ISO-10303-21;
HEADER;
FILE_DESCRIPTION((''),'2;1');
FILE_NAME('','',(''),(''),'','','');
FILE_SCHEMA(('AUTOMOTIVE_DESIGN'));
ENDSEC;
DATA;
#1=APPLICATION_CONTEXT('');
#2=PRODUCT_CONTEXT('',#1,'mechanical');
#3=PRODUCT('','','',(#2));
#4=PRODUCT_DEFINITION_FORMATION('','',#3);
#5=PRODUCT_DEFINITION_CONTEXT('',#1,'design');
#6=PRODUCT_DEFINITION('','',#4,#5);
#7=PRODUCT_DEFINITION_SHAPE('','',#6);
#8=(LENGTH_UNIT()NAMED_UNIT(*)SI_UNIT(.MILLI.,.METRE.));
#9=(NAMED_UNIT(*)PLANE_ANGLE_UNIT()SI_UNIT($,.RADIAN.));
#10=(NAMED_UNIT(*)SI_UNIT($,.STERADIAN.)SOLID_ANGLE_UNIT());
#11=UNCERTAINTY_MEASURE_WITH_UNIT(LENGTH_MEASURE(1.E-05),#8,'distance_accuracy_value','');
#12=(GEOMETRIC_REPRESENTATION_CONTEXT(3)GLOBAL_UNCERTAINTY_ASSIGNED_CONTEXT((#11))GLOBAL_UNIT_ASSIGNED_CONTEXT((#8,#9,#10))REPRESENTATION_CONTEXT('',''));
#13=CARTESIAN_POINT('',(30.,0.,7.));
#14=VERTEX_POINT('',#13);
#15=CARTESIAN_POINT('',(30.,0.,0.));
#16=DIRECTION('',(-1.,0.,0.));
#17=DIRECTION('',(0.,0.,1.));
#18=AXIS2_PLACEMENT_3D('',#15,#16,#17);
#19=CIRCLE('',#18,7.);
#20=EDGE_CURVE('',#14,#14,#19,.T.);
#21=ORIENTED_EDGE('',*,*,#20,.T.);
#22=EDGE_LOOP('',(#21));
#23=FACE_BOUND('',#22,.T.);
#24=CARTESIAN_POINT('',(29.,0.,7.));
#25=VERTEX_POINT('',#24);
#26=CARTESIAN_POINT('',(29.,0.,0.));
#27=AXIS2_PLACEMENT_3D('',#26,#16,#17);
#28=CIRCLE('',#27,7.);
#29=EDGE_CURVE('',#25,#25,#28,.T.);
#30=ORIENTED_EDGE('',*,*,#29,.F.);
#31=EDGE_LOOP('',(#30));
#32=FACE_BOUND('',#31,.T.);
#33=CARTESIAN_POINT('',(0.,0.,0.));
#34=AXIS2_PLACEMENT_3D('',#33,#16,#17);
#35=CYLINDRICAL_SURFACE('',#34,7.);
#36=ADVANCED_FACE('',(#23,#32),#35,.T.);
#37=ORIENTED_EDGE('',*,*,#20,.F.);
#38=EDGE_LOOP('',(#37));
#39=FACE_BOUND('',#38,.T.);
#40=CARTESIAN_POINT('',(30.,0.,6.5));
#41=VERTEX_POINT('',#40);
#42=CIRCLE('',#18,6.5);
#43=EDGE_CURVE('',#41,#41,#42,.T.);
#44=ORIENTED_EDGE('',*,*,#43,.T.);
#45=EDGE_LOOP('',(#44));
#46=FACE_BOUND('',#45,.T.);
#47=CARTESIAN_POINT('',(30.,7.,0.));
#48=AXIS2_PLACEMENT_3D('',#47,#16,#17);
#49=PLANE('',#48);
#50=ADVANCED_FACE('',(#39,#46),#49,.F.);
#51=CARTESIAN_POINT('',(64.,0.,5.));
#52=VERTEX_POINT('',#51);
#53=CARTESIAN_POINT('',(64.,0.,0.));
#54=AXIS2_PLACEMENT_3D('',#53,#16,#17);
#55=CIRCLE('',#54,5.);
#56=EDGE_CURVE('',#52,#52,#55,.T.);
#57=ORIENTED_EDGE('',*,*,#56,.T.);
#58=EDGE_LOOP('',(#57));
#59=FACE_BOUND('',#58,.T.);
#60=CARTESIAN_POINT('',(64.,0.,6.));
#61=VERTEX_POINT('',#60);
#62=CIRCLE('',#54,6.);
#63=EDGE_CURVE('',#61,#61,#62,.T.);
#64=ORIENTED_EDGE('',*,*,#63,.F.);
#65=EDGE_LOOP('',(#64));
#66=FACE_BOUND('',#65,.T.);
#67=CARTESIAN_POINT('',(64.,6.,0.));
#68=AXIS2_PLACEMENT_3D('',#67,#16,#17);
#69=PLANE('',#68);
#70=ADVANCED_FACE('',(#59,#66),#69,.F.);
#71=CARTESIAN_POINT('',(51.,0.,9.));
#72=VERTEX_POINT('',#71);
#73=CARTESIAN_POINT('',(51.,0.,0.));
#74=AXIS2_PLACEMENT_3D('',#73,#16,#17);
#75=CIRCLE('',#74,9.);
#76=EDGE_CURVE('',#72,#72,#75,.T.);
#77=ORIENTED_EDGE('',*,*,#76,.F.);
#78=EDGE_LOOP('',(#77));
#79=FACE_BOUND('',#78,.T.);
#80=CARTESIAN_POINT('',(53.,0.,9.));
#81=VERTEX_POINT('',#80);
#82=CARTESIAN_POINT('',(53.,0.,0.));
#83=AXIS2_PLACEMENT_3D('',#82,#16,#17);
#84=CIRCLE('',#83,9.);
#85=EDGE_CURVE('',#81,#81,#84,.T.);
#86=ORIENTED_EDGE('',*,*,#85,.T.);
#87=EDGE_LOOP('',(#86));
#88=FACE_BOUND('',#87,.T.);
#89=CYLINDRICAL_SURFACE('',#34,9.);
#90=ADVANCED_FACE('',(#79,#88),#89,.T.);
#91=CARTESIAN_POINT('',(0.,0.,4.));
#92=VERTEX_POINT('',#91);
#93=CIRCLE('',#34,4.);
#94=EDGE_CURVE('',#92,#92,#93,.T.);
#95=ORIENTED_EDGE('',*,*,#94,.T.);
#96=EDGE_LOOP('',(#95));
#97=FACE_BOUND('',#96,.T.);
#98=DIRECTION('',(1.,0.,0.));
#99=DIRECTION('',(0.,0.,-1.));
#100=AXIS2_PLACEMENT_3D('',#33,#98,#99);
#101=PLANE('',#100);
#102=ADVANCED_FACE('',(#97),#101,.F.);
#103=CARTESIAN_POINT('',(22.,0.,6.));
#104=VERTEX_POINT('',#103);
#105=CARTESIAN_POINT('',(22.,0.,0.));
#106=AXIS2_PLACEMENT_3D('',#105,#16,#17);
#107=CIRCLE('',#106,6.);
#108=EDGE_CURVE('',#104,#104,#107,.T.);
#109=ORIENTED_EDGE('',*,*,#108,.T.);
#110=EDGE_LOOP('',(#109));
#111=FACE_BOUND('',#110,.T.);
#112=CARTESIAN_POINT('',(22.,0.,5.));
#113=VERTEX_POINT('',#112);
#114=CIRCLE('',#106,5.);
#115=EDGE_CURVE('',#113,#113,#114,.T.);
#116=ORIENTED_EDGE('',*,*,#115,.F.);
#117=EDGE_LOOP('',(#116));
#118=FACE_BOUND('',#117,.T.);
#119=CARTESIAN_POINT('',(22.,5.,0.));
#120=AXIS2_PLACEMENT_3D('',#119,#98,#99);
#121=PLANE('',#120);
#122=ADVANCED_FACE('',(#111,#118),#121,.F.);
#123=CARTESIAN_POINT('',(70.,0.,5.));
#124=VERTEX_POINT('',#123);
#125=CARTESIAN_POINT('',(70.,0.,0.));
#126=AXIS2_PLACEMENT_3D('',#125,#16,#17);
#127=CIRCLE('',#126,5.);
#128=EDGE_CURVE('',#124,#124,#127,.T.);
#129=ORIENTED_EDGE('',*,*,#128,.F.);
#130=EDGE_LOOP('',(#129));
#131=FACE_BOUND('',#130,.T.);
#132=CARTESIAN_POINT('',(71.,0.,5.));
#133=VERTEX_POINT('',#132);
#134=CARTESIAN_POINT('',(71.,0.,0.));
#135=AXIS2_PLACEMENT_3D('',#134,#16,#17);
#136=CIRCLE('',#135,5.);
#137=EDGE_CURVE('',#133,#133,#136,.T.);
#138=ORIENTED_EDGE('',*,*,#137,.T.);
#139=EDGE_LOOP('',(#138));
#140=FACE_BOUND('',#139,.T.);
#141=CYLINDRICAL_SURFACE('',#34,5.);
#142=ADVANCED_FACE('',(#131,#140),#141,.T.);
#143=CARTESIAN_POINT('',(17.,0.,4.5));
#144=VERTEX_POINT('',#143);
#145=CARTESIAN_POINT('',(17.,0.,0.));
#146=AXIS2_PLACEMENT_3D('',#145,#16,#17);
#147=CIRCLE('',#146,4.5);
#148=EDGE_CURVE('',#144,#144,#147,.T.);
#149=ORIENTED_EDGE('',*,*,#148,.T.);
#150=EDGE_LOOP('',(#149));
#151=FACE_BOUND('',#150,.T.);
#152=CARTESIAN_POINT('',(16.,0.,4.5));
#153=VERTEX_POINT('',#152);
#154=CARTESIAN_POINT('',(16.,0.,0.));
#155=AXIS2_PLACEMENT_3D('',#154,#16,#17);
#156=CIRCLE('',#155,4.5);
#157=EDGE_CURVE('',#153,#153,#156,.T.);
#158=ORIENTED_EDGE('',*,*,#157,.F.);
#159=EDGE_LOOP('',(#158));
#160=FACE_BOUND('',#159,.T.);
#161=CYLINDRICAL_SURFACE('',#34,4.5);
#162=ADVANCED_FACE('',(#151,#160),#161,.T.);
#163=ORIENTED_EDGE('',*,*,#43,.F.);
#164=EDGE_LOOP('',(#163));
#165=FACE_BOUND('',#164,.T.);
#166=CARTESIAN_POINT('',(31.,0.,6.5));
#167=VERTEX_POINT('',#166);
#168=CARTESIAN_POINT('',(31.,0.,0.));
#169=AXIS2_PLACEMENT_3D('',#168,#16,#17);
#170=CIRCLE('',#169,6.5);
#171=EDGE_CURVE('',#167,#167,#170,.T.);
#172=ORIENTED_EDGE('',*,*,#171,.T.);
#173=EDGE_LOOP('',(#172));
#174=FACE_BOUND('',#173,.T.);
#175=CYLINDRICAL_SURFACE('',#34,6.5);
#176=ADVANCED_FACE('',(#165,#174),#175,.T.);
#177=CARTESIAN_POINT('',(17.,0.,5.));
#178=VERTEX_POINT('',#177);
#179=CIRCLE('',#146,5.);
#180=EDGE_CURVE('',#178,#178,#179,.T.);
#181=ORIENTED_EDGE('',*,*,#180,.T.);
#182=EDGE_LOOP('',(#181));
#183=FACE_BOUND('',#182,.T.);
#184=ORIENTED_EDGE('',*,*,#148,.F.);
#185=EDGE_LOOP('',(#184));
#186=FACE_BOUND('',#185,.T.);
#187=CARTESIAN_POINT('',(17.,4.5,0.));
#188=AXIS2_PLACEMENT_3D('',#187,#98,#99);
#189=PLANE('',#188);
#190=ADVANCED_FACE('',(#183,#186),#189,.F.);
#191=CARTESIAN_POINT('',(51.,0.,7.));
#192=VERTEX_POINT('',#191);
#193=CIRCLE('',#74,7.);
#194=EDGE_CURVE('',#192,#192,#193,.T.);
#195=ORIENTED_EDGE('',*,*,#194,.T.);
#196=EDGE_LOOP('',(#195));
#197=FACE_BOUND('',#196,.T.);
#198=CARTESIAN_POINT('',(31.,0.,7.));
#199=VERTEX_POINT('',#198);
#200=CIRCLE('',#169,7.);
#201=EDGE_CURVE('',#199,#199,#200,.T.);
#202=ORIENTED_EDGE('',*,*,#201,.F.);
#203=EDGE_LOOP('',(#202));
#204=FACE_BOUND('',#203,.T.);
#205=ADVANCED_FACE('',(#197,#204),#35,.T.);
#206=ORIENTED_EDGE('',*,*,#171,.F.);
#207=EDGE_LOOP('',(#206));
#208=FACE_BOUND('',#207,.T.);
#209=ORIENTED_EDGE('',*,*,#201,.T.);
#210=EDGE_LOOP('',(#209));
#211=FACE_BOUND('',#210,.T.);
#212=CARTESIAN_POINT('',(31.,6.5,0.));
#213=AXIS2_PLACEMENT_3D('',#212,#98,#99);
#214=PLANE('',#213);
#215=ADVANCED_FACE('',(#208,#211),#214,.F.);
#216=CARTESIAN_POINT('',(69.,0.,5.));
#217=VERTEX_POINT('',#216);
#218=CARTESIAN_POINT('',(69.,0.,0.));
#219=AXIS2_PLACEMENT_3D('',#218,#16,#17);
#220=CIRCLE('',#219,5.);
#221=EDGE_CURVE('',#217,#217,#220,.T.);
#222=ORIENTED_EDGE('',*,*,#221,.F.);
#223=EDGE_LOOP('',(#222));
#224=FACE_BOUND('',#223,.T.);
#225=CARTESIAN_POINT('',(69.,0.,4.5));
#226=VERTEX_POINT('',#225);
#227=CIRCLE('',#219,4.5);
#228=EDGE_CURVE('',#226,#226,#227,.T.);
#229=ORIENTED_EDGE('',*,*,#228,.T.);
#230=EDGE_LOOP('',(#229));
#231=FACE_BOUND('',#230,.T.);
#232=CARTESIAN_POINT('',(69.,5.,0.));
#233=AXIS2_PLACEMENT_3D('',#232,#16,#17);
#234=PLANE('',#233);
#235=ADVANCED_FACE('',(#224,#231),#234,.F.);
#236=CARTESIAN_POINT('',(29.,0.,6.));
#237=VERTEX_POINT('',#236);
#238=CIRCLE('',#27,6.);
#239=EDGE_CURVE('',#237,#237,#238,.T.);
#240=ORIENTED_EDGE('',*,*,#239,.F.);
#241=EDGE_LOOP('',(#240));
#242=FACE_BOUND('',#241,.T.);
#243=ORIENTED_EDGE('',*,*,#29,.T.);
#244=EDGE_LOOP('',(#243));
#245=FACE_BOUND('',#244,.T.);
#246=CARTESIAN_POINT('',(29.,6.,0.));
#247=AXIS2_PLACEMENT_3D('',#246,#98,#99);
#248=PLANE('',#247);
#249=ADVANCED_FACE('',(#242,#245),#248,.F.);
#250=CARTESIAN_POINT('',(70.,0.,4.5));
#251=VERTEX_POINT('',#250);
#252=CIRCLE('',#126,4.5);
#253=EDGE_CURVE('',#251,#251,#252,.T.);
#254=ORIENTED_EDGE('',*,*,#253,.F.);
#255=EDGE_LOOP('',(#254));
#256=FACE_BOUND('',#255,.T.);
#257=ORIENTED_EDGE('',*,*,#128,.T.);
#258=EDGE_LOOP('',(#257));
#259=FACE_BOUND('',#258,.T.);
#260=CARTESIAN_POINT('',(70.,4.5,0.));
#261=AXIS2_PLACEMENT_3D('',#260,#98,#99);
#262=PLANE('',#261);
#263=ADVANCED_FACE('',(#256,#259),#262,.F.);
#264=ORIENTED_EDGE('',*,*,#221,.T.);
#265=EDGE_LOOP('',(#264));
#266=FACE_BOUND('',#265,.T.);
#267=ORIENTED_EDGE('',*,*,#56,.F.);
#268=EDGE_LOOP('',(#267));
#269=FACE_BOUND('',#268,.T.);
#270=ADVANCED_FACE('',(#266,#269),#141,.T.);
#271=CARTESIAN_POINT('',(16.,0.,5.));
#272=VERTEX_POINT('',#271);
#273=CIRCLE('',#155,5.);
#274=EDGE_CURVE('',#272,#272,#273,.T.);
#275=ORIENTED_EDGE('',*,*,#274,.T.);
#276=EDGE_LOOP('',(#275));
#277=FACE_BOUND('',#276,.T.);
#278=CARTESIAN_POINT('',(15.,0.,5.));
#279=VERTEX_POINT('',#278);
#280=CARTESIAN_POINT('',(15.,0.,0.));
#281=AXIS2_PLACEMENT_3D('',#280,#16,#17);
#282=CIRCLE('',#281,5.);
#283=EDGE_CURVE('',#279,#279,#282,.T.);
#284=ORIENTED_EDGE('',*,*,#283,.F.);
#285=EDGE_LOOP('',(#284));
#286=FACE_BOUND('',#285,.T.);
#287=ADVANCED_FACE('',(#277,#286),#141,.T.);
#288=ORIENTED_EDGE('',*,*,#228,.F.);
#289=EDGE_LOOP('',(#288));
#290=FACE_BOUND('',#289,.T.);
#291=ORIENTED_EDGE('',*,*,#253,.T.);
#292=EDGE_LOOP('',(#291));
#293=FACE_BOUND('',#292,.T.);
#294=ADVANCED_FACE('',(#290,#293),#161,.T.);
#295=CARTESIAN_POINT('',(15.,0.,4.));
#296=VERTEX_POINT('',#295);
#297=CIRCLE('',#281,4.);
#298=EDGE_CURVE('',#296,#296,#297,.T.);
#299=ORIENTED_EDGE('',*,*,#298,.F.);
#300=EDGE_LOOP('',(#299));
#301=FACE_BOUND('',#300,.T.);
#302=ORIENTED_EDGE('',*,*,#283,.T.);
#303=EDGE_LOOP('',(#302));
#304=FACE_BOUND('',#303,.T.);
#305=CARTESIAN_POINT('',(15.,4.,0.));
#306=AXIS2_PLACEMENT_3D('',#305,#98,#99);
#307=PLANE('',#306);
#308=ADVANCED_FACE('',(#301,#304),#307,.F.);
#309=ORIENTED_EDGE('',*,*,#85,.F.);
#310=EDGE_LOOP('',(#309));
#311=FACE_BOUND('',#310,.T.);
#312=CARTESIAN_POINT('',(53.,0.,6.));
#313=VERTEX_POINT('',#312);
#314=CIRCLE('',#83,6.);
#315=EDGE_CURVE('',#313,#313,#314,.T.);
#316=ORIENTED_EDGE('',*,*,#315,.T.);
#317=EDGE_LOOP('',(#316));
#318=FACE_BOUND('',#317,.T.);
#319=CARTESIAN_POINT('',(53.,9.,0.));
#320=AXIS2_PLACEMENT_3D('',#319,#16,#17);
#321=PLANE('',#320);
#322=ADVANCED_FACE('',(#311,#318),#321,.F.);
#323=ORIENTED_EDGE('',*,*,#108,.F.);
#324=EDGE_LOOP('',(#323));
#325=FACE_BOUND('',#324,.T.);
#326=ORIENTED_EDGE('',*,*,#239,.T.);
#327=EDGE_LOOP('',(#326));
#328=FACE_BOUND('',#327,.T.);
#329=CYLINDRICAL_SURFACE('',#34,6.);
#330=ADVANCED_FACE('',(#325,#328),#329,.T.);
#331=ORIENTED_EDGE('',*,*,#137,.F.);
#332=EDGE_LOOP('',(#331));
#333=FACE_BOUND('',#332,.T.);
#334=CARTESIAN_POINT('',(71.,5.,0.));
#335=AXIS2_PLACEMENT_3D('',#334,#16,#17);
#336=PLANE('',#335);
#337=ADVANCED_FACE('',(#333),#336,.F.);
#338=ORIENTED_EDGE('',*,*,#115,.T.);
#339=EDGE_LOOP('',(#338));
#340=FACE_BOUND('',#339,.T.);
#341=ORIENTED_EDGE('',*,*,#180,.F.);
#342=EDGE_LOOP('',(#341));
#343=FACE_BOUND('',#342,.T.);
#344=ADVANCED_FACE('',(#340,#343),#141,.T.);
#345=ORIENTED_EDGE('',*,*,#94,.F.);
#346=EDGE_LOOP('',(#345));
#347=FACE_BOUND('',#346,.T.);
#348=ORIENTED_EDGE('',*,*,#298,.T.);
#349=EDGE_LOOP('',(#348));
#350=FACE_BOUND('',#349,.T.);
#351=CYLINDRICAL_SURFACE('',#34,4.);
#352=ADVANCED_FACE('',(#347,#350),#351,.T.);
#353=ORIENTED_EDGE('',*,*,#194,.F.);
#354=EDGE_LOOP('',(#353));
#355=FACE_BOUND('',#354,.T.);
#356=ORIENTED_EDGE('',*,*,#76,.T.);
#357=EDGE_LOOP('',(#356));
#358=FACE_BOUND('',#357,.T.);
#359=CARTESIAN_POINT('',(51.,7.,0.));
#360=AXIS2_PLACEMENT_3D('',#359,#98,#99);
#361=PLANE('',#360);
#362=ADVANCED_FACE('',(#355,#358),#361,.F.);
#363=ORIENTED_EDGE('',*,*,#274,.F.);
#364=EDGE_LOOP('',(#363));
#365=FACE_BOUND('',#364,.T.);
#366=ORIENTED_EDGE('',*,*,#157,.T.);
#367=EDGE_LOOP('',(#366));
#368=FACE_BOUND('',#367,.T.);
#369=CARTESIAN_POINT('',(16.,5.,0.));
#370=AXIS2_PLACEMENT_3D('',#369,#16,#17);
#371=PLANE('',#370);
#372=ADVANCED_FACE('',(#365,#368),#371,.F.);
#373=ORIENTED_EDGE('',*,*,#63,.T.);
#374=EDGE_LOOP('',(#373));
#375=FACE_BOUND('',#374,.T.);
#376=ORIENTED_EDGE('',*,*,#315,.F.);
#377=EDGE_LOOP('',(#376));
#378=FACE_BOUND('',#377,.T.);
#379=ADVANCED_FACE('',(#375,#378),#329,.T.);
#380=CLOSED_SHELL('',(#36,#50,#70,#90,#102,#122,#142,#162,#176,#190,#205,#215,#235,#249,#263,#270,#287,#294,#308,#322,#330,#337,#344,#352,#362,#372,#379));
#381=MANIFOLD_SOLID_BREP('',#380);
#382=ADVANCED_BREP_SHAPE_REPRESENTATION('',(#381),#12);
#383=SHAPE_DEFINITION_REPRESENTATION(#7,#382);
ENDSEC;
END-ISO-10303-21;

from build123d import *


with BuildPart() as part:
    # 草图1 → 旋转1 (revolve)
    with BuildSketch(Plane.XY, mode=Mode.PRIVATE) as revolve_1_sk:
        Polygon((0, 0), (0, 4), (15, 4), (15, 5), (16, 5), (16, 4.5), (17, 4.5), (17, 5), (22, 5), (22, 6), (29, 6), (29, 7), (30, 7), (30, 6.5), (31, 6.5), (31, 7), (51, 7), (51, 9), (53, 9), (53, 6), (64, 6), (64, 5), (69, 5), (69, 4.5), (70, 4.5), (70, 5), (71, 5), (71, 0), align=None)
    revolve(revolve_1_sk.sketch.rotate(Axis((0, 0, 0), (1, 0, 0)), 90), axis=Axis((0, 0, 0), (1, 0, 0)))


solid = part.part
